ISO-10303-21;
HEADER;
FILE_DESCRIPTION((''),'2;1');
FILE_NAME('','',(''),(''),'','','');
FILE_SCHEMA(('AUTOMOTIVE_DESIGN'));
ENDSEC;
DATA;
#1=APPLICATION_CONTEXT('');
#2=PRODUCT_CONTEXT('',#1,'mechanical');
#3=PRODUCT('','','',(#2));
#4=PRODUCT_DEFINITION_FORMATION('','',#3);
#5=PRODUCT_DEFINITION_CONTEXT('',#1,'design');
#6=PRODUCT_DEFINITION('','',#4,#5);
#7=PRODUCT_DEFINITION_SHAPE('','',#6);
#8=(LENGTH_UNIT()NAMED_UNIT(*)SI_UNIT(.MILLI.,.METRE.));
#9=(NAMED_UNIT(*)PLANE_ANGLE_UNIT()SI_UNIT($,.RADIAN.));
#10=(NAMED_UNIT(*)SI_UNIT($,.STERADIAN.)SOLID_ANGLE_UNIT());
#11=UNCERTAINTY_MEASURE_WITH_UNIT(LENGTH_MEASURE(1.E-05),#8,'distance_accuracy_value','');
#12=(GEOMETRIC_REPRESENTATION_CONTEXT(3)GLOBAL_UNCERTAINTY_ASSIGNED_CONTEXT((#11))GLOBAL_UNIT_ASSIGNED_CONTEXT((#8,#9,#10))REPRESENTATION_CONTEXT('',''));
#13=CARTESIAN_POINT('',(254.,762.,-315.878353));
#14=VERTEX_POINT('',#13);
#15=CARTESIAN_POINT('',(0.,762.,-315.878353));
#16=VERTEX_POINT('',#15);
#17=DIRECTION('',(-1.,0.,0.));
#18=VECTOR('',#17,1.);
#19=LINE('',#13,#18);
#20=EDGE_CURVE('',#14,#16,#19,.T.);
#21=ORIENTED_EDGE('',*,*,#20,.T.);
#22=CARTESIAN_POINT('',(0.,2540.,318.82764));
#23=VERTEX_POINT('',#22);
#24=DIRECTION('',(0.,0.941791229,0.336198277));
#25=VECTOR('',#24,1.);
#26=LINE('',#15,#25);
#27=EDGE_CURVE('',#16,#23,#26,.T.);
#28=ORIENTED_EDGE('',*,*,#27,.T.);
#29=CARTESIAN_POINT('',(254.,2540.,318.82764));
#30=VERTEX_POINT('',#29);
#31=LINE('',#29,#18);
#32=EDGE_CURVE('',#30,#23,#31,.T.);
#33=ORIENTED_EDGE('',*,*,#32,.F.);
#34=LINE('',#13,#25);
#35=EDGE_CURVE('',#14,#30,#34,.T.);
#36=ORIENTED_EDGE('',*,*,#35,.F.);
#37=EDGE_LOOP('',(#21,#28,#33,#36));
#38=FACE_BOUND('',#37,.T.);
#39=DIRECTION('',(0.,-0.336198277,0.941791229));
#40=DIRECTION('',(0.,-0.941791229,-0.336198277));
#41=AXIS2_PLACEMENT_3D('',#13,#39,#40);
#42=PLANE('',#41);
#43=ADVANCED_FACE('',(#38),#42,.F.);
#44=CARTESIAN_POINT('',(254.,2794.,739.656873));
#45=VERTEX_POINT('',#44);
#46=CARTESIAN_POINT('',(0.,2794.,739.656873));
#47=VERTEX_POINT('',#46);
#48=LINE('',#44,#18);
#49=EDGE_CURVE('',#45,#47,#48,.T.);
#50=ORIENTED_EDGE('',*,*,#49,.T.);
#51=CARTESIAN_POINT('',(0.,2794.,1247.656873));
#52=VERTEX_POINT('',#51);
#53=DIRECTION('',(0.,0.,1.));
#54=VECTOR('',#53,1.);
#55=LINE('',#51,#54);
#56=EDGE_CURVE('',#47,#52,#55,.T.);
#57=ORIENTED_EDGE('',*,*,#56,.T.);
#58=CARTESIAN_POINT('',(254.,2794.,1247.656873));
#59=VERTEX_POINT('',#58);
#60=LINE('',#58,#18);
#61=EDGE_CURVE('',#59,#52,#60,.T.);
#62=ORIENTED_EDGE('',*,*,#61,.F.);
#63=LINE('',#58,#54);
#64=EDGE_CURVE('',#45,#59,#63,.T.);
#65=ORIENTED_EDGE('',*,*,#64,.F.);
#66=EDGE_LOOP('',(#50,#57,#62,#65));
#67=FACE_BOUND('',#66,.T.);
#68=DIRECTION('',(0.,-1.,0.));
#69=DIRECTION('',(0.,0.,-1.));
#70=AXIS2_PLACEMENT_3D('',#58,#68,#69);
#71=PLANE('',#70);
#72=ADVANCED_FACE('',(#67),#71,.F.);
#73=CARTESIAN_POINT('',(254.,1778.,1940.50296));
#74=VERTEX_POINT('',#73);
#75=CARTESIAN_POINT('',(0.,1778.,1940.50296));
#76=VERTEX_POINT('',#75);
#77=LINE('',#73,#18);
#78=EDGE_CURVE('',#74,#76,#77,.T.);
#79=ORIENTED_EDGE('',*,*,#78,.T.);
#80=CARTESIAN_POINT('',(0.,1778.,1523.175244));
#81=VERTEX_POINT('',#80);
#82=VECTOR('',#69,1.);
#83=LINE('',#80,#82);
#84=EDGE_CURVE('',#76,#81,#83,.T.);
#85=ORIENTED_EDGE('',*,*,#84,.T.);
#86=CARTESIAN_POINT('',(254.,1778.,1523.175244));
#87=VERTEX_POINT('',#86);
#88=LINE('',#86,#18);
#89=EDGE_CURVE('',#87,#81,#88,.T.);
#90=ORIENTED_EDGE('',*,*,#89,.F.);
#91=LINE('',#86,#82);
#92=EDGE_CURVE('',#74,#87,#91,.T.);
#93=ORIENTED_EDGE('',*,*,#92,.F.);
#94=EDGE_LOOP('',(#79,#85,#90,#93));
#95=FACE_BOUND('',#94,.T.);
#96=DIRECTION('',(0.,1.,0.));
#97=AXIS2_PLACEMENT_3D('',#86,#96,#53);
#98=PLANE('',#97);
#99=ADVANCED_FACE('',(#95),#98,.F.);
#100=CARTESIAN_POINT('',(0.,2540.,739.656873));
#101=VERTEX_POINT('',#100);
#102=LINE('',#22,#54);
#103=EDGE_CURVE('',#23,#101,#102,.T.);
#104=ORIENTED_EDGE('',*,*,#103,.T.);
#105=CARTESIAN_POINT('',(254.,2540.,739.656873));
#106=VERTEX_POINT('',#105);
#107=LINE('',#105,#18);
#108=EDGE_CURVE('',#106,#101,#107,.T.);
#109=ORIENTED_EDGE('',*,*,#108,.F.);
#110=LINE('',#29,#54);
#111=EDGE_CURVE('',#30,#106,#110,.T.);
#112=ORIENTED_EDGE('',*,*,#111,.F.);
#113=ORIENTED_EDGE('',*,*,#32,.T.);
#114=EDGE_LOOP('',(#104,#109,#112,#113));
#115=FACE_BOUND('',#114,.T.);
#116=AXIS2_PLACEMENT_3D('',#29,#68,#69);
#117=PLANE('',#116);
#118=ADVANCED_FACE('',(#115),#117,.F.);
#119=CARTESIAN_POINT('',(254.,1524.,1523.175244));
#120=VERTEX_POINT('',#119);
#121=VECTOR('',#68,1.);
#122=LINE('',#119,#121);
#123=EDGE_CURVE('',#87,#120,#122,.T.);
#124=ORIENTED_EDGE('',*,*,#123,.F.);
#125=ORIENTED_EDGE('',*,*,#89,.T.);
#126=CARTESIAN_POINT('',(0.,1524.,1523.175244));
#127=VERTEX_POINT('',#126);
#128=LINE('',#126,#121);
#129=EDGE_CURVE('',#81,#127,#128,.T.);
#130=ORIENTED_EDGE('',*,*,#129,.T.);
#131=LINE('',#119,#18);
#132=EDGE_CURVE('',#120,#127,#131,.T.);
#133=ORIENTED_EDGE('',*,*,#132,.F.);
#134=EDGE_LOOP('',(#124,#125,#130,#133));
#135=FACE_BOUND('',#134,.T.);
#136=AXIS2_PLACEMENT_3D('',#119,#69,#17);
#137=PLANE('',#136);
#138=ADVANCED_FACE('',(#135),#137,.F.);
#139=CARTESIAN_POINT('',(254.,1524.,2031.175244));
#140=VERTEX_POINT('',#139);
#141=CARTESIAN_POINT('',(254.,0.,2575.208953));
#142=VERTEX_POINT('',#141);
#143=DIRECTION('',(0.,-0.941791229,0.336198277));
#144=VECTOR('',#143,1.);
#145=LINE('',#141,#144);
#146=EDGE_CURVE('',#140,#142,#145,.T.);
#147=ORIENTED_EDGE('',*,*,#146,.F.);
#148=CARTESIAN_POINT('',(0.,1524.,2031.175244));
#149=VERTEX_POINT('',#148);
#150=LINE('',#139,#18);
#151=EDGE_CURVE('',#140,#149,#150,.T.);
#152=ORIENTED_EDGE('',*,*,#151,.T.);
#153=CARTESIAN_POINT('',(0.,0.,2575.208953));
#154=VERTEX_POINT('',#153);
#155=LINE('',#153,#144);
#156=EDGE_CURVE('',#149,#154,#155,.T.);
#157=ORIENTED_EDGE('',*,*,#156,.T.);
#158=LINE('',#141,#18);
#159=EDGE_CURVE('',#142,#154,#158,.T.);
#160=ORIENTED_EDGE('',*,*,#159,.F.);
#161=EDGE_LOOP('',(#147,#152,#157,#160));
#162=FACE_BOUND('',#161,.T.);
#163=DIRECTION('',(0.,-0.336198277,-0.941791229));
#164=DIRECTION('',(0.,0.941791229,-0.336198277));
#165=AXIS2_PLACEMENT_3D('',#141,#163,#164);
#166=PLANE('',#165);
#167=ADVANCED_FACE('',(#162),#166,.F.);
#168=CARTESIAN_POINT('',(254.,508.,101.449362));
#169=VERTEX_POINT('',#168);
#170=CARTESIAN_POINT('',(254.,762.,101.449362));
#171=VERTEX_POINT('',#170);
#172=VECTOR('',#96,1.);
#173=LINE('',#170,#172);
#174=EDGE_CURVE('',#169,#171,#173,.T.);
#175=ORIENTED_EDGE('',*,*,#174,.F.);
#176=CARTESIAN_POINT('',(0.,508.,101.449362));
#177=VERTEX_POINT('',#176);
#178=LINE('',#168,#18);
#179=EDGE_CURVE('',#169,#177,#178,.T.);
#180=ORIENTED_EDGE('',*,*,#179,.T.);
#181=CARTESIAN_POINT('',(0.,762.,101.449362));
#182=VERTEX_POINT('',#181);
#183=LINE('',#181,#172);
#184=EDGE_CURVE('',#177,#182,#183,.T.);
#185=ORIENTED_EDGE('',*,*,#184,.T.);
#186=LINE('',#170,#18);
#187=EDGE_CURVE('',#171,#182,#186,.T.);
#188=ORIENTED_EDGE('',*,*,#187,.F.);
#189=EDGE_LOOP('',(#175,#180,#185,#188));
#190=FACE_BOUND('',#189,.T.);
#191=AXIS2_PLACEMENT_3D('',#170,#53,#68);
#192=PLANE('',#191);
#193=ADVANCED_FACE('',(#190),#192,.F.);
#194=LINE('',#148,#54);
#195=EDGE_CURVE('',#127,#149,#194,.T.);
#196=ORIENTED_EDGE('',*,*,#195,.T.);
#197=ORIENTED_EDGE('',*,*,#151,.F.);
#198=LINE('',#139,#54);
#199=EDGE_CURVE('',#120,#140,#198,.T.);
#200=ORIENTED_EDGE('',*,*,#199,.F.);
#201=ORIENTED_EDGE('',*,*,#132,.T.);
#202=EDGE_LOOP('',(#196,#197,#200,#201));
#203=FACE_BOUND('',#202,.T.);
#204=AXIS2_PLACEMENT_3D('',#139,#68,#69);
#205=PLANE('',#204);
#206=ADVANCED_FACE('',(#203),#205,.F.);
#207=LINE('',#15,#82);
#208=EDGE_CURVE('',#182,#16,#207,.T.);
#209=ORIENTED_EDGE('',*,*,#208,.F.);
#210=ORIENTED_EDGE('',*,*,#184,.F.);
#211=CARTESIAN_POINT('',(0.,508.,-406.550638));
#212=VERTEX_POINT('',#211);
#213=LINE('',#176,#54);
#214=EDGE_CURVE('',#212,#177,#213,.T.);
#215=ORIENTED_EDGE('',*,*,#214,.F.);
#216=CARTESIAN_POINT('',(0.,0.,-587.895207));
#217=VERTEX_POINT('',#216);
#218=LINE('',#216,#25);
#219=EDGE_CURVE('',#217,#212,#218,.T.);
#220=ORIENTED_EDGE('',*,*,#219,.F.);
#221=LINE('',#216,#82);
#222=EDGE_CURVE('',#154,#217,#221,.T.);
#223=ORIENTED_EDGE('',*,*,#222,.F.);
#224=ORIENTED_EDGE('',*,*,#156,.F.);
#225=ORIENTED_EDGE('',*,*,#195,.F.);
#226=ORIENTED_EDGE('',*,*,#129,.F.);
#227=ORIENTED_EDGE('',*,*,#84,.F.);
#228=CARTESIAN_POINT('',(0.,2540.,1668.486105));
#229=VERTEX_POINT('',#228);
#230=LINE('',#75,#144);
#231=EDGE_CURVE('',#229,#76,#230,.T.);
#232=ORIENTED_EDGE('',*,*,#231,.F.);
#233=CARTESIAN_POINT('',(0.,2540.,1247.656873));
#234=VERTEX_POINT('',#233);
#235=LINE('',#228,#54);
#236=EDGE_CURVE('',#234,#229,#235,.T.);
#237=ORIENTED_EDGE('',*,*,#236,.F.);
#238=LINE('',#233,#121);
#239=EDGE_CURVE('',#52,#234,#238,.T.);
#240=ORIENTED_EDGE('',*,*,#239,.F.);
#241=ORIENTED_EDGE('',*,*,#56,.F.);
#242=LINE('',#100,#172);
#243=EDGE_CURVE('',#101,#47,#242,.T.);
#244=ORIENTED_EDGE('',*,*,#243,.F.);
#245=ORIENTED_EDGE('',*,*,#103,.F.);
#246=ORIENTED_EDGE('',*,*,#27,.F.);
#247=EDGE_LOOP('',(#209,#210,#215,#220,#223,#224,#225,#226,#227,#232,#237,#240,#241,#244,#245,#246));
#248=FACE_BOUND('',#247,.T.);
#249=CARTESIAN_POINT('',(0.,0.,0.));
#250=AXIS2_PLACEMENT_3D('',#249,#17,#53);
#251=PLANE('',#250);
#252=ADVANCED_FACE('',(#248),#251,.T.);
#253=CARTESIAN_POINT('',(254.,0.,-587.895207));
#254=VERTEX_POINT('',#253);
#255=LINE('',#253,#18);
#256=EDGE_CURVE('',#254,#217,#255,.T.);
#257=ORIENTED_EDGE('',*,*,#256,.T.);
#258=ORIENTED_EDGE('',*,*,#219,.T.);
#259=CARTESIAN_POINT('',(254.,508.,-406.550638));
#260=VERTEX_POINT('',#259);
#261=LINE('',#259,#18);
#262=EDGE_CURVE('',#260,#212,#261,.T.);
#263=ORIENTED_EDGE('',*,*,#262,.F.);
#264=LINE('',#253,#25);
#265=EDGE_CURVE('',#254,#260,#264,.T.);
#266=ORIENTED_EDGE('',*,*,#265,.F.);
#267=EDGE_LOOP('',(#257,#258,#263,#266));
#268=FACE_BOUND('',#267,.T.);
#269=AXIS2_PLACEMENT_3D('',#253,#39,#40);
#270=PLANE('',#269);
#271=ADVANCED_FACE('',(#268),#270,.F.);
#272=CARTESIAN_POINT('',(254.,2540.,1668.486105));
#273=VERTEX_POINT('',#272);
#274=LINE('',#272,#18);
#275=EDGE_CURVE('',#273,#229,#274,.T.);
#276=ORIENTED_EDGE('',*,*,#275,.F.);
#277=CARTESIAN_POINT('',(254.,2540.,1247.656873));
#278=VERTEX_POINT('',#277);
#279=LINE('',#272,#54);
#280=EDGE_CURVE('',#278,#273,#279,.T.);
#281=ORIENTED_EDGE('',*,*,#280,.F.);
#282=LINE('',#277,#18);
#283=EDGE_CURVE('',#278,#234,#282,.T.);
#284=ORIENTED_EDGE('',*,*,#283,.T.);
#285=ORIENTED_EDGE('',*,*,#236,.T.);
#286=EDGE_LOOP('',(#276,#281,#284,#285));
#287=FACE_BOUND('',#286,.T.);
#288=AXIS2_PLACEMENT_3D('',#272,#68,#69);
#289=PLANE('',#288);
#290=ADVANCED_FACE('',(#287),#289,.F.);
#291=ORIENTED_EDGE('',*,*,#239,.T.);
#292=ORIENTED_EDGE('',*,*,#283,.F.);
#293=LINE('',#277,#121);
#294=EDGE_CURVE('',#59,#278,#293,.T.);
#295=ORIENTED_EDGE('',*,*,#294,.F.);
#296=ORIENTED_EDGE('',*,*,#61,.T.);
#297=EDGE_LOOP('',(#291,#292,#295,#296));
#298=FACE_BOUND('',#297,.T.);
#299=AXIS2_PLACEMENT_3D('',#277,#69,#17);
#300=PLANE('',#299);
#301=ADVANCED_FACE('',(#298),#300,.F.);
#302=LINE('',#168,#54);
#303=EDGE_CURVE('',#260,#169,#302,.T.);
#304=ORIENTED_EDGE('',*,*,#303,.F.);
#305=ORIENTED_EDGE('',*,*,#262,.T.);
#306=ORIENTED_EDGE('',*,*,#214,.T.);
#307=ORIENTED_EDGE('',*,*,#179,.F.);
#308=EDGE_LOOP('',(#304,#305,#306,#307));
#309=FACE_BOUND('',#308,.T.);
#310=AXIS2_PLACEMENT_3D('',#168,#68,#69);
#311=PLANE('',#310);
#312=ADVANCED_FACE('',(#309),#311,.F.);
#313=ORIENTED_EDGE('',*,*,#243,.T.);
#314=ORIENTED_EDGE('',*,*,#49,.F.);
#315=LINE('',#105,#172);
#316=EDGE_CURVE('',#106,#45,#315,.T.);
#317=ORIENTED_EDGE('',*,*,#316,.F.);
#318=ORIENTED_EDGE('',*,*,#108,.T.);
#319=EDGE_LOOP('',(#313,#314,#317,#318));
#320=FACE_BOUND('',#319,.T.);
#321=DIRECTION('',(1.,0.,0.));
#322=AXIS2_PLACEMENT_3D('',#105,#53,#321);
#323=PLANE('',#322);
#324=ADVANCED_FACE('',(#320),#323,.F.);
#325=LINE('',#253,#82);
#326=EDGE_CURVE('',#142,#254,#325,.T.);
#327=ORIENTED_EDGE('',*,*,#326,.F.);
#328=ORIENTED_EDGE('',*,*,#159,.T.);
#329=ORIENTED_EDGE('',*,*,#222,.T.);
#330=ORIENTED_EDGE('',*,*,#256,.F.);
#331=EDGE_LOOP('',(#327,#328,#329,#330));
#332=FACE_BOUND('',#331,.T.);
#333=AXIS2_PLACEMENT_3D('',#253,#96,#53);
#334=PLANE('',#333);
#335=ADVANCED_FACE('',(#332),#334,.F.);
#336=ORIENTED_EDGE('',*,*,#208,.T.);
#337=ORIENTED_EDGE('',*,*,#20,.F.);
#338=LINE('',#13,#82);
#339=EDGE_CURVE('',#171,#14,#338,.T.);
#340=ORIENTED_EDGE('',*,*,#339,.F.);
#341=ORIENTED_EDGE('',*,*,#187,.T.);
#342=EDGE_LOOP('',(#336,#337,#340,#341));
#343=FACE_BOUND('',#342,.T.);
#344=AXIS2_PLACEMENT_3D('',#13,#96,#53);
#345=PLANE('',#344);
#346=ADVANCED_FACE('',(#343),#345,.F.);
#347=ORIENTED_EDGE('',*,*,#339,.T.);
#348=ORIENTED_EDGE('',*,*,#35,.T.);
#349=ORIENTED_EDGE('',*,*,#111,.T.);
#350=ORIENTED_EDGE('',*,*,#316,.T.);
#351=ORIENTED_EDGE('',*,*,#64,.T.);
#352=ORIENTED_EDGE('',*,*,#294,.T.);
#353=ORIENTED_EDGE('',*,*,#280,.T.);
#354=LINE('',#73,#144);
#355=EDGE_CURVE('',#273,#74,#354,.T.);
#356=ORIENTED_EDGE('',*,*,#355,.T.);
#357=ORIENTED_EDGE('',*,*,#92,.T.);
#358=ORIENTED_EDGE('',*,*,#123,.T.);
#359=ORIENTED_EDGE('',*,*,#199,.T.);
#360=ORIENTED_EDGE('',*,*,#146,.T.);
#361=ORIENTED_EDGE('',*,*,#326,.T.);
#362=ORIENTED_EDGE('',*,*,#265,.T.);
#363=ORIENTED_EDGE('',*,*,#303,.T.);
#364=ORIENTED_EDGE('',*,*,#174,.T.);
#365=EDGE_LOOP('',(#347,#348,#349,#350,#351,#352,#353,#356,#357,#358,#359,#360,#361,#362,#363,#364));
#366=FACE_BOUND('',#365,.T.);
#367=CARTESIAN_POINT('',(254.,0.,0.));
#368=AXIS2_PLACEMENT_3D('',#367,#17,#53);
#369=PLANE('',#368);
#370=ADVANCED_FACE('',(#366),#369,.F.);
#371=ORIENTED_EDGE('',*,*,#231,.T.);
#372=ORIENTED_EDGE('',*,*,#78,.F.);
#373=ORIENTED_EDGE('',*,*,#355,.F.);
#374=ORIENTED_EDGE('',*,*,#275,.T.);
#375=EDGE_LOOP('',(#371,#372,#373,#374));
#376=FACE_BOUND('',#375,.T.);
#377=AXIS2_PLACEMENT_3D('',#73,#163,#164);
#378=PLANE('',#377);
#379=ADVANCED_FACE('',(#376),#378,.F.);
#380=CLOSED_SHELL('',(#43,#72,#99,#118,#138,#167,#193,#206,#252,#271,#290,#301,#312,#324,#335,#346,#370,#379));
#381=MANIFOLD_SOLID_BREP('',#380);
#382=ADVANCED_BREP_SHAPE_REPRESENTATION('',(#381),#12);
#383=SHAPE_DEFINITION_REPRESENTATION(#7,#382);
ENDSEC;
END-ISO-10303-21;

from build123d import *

# Parameters (mm, degrees)
BOSS_EXTRUDE1_DEPTH = 254


with BuildPart() as part:
    # Sketch2 → Boss-Extrude1 (new body)
    with BuildSketch(Plane(origin=(0, 0, 0), x_dir=(0, 0, -1), z_dir=(1, 0, 0))):
        Polygon((587.895207134, 0), (-2575.208952597, 0), (-2031.17524425, 1524), (-1523.17524425, 1524), (-1523.17524425, 1778), (-1940.502959526, 1778), (-1668.486105353, 2540), (-1247.656872732, 2540), (-1247.656872732, 2794), (-739.656872732, 2794), (-739.656872732, 2540), (-318.827640111, 2540), (315.87835296, 762), (-101.449362315, 762), (-101.449362315, 508), (406.550637685, 508), align=None)
    extrude(amount=BOSS_EXTRUDE1_DEPTH)


solid = part.part
